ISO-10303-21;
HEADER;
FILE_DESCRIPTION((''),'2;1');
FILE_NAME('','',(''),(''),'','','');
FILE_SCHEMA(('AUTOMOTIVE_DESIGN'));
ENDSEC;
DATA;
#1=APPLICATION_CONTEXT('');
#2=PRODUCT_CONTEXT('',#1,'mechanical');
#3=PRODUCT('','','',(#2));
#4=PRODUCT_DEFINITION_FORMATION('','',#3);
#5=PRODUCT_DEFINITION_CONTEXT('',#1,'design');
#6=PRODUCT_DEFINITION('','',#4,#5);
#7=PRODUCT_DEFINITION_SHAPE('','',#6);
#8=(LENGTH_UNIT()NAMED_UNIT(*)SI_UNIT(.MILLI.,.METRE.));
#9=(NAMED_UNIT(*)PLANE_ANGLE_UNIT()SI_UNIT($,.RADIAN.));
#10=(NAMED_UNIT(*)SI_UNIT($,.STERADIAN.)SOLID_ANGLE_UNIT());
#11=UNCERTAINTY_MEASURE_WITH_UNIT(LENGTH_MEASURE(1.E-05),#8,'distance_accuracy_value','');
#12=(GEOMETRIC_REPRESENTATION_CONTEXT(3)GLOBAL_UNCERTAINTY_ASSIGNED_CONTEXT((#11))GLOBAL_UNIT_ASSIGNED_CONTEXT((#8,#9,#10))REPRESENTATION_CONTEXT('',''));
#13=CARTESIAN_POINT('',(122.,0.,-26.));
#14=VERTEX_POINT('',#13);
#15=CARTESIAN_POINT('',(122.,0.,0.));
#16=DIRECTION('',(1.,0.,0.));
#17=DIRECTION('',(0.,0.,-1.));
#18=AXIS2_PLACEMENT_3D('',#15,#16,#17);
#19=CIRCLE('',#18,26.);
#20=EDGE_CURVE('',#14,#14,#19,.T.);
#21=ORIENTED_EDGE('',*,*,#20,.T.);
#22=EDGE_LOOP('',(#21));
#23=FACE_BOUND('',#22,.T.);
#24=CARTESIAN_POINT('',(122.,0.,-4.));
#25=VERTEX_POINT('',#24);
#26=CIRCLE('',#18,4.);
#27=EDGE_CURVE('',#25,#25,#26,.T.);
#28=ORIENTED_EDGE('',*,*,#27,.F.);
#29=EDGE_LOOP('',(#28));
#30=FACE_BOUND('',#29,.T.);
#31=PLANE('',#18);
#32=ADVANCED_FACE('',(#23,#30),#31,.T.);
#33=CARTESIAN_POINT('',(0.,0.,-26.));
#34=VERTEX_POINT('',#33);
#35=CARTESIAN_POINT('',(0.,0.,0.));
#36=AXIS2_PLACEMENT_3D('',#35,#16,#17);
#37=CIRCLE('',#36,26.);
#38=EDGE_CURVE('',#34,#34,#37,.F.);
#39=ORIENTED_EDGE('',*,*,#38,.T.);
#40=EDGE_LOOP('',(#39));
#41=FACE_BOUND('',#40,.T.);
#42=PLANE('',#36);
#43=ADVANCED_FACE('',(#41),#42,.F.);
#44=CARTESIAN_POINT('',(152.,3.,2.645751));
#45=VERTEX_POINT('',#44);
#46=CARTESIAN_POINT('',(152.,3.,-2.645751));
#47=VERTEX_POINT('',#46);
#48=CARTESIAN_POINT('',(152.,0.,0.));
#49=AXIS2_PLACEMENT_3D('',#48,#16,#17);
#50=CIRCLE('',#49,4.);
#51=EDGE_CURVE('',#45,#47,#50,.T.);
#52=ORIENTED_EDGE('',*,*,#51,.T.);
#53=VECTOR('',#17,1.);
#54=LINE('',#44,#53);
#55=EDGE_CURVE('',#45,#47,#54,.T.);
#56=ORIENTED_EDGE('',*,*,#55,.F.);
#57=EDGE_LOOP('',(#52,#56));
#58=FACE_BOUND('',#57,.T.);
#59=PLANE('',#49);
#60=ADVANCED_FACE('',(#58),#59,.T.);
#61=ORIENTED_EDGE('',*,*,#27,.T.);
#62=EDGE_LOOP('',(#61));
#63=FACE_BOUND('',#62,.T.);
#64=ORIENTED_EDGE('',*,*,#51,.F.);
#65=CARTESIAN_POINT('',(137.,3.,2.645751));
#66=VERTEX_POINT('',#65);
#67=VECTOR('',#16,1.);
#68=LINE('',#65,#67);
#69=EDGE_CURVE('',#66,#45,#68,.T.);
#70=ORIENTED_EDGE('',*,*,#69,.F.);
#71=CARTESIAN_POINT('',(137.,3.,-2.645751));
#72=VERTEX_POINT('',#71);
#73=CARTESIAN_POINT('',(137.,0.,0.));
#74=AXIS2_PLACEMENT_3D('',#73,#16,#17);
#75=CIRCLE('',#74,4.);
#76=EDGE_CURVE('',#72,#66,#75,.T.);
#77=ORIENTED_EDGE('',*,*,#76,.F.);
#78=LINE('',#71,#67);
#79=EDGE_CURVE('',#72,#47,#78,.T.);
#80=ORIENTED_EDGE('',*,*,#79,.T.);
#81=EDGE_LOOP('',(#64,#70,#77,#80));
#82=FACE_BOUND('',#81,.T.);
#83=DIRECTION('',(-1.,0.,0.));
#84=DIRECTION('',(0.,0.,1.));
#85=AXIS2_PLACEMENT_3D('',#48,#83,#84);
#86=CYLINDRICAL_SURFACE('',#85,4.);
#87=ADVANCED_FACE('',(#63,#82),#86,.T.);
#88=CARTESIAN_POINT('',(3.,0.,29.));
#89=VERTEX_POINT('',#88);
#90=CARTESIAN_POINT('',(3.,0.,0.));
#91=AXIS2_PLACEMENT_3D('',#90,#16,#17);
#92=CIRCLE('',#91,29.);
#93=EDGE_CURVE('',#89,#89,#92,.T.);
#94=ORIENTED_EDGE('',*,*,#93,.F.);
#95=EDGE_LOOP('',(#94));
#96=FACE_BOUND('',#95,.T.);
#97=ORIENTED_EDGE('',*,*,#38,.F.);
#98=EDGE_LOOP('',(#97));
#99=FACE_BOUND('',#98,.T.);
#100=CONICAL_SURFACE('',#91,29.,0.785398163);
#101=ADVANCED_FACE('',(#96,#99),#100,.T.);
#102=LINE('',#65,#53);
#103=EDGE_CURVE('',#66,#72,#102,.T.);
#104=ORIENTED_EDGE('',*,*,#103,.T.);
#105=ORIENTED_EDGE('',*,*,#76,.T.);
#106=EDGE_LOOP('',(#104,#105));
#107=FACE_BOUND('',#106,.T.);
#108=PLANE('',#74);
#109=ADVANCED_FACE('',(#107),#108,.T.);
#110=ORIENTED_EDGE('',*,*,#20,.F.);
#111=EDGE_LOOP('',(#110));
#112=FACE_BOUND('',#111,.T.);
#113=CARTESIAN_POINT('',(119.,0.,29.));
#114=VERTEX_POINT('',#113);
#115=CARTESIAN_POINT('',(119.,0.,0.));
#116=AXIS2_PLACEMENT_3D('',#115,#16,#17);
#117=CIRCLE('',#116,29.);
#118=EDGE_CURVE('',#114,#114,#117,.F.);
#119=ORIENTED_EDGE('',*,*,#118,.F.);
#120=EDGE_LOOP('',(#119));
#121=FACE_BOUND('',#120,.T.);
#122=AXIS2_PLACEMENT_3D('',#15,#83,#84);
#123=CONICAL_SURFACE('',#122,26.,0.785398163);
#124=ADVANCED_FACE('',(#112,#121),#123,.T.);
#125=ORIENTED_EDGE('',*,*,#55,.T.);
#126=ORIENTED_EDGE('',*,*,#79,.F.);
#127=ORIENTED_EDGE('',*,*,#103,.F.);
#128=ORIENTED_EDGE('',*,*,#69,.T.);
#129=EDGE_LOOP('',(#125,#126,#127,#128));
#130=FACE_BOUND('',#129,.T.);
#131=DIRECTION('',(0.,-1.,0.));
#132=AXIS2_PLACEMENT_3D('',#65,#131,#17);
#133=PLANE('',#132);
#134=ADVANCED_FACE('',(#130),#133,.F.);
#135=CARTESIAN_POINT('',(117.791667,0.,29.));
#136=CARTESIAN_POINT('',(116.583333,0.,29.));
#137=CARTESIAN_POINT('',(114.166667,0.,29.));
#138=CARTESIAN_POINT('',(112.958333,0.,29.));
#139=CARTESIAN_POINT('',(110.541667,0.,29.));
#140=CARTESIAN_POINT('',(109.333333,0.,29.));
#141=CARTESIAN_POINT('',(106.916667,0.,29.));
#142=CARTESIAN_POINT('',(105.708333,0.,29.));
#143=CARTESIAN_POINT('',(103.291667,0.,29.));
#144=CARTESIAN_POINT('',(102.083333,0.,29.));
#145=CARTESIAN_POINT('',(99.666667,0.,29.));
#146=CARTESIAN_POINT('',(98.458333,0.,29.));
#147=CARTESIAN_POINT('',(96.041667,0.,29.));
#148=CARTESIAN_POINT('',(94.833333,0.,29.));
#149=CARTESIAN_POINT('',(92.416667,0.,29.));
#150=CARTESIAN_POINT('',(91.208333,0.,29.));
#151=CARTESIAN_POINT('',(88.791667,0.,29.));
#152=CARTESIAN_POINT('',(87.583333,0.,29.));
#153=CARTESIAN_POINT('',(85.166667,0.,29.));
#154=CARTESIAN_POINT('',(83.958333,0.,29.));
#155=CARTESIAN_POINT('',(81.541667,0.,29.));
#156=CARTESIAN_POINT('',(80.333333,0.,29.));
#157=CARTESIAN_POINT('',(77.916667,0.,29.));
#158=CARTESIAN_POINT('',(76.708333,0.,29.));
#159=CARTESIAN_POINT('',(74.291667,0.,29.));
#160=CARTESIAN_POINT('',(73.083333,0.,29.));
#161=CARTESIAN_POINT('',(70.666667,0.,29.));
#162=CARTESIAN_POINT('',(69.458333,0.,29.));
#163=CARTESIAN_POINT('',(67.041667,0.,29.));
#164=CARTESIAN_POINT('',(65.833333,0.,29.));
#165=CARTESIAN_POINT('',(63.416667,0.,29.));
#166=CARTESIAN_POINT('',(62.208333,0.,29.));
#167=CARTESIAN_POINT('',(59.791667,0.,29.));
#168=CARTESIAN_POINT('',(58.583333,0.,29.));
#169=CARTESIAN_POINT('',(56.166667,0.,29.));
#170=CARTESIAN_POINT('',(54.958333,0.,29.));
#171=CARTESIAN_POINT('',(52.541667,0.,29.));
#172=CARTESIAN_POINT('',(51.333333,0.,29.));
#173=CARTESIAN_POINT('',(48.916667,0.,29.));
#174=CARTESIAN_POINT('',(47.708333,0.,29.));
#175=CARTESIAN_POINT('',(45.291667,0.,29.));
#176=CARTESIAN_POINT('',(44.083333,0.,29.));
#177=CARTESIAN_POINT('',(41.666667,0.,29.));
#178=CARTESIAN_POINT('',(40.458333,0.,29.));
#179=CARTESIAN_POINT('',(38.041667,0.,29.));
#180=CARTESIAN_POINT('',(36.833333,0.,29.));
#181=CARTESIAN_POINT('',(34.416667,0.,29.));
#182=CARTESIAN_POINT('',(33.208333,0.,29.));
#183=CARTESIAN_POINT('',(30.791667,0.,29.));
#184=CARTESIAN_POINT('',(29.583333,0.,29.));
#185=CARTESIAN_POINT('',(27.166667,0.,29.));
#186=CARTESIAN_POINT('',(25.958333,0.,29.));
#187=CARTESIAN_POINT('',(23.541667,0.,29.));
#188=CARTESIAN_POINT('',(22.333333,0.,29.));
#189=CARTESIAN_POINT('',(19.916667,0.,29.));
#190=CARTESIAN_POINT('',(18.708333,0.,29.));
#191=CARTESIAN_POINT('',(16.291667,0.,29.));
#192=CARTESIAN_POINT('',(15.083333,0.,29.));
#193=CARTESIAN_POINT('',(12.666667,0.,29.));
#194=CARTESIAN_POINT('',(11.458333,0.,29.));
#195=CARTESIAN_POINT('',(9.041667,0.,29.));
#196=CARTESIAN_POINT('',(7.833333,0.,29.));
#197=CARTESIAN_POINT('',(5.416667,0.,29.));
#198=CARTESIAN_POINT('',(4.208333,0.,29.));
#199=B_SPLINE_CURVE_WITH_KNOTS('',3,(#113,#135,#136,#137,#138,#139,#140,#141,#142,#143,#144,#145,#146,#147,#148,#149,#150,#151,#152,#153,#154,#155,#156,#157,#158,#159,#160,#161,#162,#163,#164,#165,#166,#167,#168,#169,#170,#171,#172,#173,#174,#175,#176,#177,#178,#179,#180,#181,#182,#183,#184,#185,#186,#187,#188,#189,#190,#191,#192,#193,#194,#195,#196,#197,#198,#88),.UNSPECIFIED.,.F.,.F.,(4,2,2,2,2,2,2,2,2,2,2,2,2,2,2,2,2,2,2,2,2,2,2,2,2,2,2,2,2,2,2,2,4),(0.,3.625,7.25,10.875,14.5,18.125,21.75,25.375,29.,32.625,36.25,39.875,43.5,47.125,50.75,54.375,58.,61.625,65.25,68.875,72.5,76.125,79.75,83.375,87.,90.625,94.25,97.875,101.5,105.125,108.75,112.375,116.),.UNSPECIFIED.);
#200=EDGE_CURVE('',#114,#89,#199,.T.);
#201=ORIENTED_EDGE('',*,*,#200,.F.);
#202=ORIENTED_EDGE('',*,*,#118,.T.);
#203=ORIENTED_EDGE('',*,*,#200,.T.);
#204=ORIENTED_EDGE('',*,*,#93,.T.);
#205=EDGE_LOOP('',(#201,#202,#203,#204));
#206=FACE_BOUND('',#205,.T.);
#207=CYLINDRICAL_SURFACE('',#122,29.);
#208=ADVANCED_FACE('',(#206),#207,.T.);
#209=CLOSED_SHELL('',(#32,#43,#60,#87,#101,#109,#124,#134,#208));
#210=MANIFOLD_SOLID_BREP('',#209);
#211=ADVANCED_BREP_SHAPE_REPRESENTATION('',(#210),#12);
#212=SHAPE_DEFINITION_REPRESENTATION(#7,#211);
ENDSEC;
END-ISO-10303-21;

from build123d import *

# Parameters (mm, degrees)
SKETCH_1_R          = 29
EXTRUDE_1_DEPTH     = 122
CHAMFER_1_SIZE      = 3
SKETCH_2_R          = 4
EXTRUDE_2_DEPTH     = 30
CUT_EXTRUDE_START   = -15
CUT_EXTRUDE_1_DEPTH = 15


with BuildPart() as part:
    # Эскиз1 → Бобышка-Вытянуть1 (new body)
    with BuildSketch(Plane(origin=(0, 0, 0), x_dir=(0, 0, -1), z_dir=(1, 0, 0))):
        with Locations(Location((0, 0, 0), (0, 0, 180))):
            Circle(SKETCH_1_R)
    extrude(amount=EXTRUDE_1_DEPTH)

    # Фаска1
    chamfer_1_edges = [part.edges().sort_by_distance(p)[0] for p in [
        (0, 0, -29),
        (122, 0, -29),
    ]]
    chamfer(chamfer_1_edges, length=CHAMFER_1_SIZE)

    # Эскиз2 → Бобышка-Вытянуть2 (add)
    with BuildSketch(Plane(origin=(122, 0, 0), x_dir=(0, 0, -1), z_dir=(1, 0, 0))):
        Circle(SKETCH_2_R)
    extrude(amount=EXTRUDE_2_DEPTH)

    # Эскиз3 → Вырез-Вытянуть1 (cut)
    with BuildSketch(Plane(origin=(152, 0, 0), x_dir=(0, 0, -1), z_dir=(1, 0, 0)).offset(CUT_EXTRUDE_START)):
        with BuildLine():
            Line((-2.645751311, 3), (2.645751311, 3))
            ThreePointArc((2.645751311, 3), (0, 4), (-2.645751311, 3))
        make_face()
    extrude(amount=CUT_EXTRUDE_1_DEPTH, mode=Mode.SUBTRACT)


solid = part.part
